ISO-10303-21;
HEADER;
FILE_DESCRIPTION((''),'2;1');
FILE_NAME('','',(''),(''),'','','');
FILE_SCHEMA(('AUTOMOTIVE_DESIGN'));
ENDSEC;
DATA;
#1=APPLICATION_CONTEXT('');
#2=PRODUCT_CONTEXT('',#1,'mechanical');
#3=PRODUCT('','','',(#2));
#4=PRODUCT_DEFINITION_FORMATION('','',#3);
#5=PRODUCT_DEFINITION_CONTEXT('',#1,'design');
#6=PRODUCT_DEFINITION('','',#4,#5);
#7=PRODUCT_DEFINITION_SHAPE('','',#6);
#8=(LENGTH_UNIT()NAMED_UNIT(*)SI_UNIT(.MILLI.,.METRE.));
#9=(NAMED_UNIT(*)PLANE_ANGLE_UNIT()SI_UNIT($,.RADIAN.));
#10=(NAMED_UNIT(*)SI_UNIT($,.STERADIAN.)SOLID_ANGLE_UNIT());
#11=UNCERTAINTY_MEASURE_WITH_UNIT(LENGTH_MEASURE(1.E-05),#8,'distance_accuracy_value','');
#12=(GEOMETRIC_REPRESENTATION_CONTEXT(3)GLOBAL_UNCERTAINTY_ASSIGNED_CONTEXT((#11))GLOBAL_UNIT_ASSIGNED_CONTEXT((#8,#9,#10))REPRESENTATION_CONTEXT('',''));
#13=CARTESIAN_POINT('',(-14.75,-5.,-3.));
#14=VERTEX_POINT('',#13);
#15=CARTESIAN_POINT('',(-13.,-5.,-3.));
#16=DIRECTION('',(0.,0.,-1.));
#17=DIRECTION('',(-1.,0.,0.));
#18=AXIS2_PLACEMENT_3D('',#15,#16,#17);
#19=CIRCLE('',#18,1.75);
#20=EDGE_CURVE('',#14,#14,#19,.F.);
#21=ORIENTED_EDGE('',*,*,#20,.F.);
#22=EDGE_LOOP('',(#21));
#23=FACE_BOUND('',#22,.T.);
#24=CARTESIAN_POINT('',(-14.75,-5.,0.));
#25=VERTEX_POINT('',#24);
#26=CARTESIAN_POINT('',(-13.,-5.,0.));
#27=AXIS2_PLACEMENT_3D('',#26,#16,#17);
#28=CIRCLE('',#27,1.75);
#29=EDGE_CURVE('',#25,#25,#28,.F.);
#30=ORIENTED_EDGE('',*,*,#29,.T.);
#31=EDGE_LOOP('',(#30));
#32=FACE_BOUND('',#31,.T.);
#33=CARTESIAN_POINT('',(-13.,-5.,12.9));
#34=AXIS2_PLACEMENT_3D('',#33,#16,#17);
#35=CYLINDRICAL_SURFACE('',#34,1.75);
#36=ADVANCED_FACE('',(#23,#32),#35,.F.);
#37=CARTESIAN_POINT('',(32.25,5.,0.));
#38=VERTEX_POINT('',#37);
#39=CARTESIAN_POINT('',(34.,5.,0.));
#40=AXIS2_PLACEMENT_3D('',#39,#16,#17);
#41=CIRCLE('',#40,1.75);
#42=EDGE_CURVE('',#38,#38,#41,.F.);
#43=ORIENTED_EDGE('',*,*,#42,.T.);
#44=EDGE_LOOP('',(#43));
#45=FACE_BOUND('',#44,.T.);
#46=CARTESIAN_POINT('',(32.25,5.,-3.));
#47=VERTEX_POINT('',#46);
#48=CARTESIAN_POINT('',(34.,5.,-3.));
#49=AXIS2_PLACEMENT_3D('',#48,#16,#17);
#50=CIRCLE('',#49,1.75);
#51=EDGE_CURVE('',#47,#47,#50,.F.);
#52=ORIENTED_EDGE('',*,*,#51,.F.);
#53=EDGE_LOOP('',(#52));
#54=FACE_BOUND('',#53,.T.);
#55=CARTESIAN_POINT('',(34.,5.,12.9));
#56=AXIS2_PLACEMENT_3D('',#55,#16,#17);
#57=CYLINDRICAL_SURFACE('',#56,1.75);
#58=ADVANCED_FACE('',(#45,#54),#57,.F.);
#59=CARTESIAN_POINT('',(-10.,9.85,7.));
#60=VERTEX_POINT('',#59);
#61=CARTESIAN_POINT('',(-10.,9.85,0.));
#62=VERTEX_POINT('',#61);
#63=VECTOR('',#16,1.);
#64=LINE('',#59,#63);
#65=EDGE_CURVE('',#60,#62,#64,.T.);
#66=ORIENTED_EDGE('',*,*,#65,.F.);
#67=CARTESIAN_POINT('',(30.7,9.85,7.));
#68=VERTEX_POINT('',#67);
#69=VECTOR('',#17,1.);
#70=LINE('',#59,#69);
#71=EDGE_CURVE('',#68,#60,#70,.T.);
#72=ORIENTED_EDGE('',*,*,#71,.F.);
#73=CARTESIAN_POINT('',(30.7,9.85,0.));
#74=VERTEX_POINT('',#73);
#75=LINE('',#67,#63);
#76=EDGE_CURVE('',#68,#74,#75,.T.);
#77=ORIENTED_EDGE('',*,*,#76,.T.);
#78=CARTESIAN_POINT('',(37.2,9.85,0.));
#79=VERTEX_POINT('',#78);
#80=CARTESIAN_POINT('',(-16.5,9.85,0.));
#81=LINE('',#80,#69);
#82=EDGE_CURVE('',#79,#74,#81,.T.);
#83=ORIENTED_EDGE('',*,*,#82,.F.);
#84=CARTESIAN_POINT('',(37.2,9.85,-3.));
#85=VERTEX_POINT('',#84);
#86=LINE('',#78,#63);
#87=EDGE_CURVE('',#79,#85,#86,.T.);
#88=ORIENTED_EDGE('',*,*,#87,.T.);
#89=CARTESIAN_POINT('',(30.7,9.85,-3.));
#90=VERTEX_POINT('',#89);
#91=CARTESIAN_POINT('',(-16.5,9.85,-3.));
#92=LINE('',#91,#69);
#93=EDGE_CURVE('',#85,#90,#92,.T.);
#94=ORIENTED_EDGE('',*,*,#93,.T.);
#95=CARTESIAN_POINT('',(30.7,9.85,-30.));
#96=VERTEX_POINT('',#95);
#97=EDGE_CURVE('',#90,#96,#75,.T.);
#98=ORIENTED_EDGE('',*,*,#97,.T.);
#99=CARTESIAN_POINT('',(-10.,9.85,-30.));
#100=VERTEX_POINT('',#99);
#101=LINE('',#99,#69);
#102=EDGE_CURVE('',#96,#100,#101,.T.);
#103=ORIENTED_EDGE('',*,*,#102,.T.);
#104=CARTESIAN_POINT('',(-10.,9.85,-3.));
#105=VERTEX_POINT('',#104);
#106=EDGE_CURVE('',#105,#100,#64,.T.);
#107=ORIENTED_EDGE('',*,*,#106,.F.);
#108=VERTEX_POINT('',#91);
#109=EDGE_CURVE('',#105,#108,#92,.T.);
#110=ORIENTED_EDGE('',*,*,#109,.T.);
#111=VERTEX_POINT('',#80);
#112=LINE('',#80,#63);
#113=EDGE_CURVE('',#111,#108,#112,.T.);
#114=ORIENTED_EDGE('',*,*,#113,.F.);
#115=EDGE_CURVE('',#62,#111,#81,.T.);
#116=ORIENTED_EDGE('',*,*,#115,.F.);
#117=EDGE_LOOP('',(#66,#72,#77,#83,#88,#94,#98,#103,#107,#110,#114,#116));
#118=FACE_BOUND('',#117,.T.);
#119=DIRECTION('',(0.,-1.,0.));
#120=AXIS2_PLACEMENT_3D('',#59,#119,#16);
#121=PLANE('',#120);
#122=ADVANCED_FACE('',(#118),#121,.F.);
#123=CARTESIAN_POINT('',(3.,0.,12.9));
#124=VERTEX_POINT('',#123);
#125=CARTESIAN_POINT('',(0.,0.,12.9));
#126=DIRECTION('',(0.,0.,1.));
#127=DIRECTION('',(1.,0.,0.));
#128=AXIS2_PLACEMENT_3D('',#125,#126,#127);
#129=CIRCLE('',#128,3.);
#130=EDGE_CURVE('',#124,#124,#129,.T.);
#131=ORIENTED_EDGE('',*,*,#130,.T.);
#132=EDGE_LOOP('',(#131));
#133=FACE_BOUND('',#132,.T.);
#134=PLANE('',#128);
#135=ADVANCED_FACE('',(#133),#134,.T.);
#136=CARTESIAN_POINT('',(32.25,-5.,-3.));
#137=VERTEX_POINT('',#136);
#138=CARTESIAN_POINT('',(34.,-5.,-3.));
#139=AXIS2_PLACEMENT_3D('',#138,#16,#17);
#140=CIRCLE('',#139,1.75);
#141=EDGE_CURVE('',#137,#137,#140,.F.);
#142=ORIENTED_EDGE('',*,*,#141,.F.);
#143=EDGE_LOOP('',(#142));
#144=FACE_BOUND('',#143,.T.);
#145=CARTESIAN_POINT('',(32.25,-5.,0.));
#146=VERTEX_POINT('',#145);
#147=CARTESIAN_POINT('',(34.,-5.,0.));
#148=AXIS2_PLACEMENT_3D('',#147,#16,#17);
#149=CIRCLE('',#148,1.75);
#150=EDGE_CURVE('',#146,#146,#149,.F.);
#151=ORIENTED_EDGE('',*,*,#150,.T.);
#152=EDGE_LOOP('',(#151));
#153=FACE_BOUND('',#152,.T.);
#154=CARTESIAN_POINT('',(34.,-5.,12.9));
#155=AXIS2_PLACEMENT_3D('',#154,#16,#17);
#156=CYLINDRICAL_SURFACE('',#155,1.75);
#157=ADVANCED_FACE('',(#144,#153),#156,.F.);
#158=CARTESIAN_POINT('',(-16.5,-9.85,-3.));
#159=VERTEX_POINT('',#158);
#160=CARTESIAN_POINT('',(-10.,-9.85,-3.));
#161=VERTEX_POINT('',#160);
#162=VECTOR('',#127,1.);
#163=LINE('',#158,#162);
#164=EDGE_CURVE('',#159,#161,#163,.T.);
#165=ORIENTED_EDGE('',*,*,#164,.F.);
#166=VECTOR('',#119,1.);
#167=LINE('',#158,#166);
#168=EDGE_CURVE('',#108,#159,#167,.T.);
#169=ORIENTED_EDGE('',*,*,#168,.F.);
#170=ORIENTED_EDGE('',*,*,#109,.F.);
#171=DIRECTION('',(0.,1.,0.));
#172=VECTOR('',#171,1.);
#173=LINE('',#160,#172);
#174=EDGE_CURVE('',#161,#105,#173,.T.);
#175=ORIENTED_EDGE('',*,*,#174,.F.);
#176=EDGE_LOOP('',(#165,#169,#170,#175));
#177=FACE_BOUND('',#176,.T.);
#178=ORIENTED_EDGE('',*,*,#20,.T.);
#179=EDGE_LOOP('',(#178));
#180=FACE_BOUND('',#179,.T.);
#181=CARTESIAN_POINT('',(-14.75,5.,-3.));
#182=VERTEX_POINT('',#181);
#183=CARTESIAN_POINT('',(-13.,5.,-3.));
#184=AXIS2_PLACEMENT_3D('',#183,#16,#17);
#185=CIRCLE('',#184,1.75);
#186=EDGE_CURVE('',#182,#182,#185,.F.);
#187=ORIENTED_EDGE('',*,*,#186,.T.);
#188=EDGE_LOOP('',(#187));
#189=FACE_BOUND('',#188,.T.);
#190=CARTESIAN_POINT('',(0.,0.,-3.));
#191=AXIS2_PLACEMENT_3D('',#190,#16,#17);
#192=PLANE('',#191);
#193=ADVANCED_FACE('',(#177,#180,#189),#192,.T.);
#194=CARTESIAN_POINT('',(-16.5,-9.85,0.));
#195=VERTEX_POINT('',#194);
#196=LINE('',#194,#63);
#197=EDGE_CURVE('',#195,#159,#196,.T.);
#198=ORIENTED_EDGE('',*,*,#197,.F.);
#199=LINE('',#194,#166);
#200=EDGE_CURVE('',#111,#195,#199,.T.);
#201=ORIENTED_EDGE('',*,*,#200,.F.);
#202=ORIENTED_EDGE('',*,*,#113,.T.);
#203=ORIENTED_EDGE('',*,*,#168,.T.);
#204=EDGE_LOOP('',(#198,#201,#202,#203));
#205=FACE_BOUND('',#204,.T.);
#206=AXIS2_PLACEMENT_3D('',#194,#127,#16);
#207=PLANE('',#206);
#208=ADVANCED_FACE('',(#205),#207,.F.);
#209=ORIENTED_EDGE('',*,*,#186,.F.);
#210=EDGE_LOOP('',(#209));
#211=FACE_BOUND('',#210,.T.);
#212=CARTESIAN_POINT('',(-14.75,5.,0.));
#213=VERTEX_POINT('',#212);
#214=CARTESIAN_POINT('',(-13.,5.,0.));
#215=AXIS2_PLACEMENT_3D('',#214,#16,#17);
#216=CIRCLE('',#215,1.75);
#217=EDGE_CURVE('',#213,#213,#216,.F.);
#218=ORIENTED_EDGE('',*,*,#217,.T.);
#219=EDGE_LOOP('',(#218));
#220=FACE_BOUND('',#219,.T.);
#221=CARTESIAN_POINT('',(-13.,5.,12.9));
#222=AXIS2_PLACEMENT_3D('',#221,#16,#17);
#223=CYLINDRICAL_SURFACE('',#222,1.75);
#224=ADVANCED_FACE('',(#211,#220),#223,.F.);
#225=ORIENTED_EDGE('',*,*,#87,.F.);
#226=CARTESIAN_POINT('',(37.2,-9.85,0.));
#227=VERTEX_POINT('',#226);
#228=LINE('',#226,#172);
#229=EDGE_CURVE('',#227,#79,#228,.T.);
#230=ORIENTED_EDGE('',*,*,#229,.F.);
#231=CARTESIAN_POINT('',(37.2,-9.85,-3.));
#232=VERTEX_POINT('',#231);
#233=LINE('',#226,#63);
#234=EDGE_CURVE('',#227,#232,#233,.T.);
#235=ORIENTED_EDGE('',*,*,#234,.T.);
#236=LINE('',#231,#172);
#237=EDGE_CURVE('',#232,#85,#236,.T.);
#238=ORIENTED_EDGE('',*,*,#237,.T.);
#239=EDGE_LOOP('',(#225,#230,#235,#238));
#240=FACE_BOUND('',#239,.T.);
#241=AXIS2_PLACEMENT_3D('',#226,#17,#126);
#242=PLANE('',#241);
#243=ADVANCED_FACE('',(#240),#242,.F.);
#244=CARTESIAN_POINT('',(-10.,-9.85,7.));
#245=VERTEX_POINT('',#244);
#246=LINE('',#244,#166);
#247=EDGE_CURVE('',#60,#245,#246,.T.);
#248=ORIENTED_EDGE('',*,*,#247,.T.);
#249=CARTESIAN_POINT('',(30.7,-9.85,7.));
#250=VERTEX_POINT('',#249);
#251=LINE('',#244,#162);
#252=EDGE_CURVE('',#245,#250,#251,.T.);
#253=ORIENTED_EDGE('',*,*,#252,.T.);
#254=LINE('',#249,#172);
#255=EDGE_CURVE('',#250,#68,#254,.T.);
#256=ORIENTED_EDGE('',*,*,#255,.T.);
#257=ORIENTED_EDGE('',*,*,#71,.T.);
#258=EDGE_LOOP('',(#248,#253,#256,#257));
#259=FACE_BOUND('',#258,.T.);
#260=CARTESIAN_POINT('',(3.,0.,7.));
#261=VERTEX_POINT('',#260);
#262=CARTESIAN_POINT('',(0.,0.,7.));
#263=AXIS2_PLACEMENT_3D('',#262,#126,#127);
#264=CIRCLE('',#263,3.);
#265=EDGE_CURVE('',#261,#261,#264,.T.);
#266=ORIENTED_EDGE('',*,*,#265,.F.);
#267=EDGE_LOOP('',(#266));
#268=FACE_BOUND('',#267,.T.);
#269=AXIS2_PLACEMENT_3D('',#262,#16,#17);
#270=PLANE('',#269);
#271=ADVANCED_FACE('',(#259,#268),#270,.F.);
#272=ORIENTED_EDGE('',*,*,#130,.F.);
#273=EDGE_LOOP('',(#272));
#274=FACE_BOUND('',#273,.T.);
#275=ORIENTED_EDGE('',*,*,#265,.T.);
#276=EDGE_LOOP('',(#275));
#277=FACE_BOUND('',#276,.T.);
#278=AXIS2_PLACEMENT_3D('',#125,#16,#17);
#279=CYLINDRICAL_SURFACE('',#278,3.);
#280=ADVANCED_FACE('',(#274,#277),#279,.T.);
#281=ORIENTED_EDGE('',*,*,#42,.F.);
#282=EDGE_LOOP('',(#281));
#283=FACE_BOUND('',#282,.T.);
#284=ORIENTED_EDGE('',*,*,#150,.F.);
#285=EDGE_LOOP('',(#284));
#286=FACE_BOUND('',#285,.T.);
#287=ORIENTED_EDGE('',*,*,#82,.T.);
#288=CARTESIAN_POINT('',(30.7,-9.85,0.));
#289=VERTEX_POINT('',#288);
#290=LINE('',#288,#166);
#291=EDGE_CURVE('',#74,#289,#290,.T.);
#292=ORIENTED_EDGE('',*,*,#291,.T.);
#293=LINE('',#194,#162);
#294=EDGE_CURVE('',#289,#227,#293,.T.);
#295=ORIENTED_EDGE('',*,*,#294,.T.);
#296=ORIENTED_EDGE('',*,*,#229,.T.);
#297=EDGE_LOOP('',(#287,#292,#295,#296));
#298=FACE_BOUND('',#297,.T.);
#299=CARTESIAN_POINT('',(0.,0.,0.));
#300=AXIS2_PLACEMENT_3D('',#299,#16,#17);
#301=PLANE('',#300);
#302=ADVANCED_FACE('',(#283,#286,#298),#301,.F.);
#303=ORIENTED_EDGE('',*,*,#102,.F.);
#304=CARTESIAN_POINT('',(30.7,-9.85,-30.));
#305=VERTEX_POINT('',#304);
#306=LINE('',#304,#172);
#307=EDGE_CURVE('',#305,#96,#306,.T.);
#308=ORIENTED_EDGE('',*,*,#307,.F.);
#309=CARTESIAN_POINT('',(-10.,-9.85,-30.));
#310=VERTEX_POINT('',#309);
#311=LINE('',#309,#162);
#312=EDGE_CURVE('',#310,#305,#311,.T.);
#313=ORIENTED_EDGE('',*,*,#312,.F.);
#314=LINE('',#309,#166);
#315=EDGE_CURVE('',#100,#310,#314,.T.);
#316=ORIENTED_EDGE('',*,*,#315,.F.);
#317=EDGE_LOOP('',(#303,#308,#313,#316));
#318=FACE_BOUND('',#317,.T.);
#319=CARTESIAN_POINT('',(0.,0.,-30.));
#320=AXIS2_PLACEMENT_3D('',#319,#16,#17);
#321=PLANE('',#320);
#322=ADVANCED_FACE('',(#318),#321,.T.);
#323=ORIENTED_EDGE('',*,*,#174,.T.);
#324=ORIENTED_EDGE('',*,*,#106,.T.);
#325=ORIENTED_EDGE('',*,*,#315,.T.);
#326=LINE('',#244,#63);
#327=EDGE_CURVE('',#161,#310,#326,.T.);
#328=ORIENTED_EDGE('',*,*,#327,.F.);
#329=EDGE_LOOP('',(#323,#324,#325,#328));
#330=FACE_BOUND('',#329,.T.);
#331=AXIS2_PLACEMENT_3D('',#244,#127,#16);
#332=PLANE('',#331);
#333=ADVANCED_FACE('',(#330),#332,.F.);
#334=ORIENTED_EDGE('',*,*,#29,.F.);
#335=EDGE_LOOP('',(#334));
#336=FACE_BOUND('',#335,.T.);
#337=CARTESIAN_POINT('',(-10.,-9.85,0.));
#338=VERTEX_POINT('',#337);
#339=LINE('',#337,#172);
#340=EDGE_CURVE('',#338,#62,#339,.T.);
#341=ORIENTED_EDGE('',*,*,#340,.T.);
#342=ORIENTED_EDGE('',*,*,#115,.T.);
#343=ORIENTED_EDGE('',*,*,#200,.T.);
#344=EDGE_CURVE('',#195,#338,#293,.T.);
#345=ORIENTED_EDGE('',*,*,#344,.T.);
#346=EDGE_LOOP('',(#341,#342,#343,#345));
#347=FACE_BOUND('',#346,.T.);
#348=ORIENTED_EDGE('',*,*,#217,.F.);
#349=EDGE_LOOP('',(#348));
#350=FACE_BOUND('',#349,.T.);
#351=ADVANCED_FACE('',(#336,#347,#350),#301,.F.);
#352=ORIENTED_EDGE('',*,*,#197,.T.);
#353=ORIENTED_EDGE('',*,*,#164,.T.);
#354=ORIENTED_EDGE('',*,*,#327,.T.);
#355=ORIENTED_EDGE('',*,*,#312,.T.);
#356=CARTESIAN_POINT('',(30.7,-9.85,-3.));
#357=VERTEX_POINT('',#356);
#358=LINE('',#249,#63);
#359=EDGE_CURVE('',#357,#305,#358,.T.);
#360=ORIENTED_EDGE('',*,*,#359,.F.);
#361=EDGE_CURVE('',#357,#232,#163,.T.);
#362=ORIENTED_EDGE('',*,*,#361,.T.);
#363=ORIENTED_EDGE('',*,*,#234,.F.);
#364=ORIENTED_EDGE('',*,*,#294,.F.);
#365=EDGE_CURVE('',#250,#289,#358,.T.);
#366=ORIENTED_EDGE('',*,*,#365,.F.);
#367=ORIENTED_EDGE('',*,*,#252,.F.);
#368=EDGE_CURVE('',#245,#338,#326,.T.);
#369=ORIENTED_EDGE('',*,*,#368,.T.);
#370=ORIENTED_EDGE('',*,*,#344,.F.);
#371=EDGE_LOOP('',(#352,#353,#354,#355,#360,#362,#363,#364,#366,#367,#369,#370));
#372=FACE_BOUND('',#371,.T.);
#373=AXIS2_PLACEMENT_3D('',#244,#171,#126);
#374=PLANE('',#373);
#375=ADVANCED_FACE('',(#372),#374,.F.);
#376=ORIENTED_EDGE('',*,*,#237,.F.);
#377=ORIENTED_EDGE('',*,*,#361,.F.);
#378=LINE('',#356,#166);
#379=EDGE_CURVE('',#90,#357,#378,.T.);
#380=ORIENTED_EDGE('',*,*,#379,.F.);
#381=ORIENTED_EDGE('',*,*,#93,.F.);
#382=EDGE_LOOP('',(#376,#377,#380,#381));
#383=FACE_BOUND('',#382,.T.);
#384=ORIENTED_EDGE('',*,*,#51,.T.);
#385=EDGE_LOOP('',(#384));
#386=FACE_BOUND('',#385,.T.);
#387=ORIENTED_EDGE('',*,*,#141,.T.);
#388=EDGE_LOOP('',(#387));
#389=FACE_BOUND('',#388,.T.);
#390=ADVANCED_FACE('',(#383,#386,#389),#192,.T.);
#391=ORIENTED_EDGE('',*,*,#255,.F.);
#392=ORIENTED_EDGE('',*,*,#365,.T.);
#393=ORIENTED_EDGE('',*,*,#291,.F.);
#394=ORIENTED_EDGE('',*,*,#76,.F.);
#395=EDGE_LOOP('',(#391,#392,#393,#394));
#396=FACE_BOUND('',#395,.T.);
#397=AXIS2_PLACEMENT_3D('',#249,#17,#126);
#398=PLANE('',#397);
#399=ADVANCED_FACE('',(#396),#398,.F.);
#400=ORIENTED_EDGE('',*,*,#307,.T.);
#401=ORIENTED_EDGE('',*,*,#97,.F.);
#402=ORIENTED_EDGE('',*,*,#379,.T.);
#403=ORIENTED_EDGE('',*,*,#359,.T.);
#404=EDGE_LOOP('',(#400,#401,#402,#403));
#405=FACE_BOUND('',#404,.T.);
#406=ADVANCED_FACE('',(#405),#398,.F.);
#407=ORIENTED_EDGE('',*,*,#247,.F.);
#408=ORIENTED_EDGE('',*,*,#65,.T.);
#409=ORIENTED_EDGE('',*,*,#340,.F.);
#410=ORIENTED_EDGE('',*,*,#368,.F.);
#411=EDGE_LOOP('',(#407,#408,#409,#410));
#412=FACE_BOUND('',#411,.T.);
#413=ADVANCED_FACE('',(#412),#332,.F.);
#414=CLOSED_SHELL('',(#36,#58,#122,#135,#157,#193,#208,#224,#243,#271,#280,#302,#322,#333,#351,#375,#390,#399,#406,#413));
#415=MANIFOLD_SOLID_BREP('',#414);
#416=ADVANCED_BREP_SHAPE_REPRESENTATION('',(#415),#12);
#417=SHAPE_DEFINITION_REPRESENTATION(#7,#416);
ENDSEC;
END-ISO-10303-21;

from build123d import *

# Parameters (mm, degrees)
CASE_40P7X19P7_START                 = -30
CASE_40P7X19P7_PROFILE_W             = 40.7
CASE_40P7X19P7_PROFILE_H             = 19.7
CASE_40P7X19P7_DEPTH                 = 37
MOUNTING_FLANGE_NOMINAL_START        = -3
MOUNTING_FLANGE_NOMINAL_PROFILE_W    = 53.7
MOUNTING_FLANGE_NOMINAL_PROFILE_H    = 19.7
MOUNTING_FLANGE_NOMINAL_DEPTH        = 3
OUTPUT_ENVELOPE_NOT_SPLINE_START     = 7
OUTPUT_ENVELOPE_NOT_SPLINE_PROFILE_R = 3
OUTPUT_ENVELOPE_NOT_SPLINE_DEPTH     = 5.9
TAB_HOLES_NOMINAL_START              = -50
TAB_HOLES_NOMINAL_PROFILE_R          = 1.75
TAB_HOLES_NOMINAL_DEPTH              = 99.794082633


with BuildPart() as part:
    # Case_40p7x19p7_profile → Case_40p7x19p7 (new body)
    with BuildSketch(Plane.XY.offset(CASE_40P7X19P7_START)):
        with Locations((10.35, 0)):
            Rectangle(CASE_40P7X19P7_PROFILE_W, CASE_40P7X19P7_PROFILE_H)
    extrude(amount=CASE_40P7X19P7_DEPTH)

    # Mounting_flange_nominal_profile → Mounting_flange_nominal (add)
    with BuildSketch(Plane.XY.offset(MOUNTING_FLANGE_NOMINAL_START)):
        with Locations((10.35, 0)):
            Rectangle(MOUNTING_FLANGE_NOMINAL_PROFILE_W, MOUNTING_FLANGE_NOMINAL_PROFILE_H)
    extrude(amount=MOUNTING_FLANGE_NOMINAL_DEPTH)

    # Output_envelope_not_spline_profile → Output_envelope_not_spline (add)
    with BuildSketch(Plane.XY.offset(OUTPUT_ENVELOPE_NOT_SPLINE_START)):
        Circle(OUTPUT_ENVELOPE_NOT_SPLINE_PROFILE_R)
    extrude(amount=OUTPUT_ENVELOPE_NOT_SPLINE_DEPTH)

    # Tab_holes_nominal_profile → Tab_holes_nominal (cut, through all)
    with BuildSketch(Plane.XY.offset(TAB_HOLES_NOMINAL_START)):
        with Locations(Location((-13, 5, 0), (0, 0, 180))):
            Circle(TAB_HOLES_NOMINAL_PROFILE_R)
        with Locations(Location((-13, -5, 0), (0, 0, 180))):
            Circle(TAB_HOLES_NOMINAL_PROFILE_R)
        with Locations(Location((34, 5, 0), (0, 0, 180))):
            Circle(TAB_HOLES_NOMINAL_PROFILE_R)
        with Locations(Location((34, -5, 0), (0, 0, 180))):
            Circle(TAB_HOLES_NOMINAL_PROFILE_R)
    extrude(amount=TAB_HOLES_NOMINAL_DEPTH, mode=Mode.SUBTRACT)


solid = part.part
